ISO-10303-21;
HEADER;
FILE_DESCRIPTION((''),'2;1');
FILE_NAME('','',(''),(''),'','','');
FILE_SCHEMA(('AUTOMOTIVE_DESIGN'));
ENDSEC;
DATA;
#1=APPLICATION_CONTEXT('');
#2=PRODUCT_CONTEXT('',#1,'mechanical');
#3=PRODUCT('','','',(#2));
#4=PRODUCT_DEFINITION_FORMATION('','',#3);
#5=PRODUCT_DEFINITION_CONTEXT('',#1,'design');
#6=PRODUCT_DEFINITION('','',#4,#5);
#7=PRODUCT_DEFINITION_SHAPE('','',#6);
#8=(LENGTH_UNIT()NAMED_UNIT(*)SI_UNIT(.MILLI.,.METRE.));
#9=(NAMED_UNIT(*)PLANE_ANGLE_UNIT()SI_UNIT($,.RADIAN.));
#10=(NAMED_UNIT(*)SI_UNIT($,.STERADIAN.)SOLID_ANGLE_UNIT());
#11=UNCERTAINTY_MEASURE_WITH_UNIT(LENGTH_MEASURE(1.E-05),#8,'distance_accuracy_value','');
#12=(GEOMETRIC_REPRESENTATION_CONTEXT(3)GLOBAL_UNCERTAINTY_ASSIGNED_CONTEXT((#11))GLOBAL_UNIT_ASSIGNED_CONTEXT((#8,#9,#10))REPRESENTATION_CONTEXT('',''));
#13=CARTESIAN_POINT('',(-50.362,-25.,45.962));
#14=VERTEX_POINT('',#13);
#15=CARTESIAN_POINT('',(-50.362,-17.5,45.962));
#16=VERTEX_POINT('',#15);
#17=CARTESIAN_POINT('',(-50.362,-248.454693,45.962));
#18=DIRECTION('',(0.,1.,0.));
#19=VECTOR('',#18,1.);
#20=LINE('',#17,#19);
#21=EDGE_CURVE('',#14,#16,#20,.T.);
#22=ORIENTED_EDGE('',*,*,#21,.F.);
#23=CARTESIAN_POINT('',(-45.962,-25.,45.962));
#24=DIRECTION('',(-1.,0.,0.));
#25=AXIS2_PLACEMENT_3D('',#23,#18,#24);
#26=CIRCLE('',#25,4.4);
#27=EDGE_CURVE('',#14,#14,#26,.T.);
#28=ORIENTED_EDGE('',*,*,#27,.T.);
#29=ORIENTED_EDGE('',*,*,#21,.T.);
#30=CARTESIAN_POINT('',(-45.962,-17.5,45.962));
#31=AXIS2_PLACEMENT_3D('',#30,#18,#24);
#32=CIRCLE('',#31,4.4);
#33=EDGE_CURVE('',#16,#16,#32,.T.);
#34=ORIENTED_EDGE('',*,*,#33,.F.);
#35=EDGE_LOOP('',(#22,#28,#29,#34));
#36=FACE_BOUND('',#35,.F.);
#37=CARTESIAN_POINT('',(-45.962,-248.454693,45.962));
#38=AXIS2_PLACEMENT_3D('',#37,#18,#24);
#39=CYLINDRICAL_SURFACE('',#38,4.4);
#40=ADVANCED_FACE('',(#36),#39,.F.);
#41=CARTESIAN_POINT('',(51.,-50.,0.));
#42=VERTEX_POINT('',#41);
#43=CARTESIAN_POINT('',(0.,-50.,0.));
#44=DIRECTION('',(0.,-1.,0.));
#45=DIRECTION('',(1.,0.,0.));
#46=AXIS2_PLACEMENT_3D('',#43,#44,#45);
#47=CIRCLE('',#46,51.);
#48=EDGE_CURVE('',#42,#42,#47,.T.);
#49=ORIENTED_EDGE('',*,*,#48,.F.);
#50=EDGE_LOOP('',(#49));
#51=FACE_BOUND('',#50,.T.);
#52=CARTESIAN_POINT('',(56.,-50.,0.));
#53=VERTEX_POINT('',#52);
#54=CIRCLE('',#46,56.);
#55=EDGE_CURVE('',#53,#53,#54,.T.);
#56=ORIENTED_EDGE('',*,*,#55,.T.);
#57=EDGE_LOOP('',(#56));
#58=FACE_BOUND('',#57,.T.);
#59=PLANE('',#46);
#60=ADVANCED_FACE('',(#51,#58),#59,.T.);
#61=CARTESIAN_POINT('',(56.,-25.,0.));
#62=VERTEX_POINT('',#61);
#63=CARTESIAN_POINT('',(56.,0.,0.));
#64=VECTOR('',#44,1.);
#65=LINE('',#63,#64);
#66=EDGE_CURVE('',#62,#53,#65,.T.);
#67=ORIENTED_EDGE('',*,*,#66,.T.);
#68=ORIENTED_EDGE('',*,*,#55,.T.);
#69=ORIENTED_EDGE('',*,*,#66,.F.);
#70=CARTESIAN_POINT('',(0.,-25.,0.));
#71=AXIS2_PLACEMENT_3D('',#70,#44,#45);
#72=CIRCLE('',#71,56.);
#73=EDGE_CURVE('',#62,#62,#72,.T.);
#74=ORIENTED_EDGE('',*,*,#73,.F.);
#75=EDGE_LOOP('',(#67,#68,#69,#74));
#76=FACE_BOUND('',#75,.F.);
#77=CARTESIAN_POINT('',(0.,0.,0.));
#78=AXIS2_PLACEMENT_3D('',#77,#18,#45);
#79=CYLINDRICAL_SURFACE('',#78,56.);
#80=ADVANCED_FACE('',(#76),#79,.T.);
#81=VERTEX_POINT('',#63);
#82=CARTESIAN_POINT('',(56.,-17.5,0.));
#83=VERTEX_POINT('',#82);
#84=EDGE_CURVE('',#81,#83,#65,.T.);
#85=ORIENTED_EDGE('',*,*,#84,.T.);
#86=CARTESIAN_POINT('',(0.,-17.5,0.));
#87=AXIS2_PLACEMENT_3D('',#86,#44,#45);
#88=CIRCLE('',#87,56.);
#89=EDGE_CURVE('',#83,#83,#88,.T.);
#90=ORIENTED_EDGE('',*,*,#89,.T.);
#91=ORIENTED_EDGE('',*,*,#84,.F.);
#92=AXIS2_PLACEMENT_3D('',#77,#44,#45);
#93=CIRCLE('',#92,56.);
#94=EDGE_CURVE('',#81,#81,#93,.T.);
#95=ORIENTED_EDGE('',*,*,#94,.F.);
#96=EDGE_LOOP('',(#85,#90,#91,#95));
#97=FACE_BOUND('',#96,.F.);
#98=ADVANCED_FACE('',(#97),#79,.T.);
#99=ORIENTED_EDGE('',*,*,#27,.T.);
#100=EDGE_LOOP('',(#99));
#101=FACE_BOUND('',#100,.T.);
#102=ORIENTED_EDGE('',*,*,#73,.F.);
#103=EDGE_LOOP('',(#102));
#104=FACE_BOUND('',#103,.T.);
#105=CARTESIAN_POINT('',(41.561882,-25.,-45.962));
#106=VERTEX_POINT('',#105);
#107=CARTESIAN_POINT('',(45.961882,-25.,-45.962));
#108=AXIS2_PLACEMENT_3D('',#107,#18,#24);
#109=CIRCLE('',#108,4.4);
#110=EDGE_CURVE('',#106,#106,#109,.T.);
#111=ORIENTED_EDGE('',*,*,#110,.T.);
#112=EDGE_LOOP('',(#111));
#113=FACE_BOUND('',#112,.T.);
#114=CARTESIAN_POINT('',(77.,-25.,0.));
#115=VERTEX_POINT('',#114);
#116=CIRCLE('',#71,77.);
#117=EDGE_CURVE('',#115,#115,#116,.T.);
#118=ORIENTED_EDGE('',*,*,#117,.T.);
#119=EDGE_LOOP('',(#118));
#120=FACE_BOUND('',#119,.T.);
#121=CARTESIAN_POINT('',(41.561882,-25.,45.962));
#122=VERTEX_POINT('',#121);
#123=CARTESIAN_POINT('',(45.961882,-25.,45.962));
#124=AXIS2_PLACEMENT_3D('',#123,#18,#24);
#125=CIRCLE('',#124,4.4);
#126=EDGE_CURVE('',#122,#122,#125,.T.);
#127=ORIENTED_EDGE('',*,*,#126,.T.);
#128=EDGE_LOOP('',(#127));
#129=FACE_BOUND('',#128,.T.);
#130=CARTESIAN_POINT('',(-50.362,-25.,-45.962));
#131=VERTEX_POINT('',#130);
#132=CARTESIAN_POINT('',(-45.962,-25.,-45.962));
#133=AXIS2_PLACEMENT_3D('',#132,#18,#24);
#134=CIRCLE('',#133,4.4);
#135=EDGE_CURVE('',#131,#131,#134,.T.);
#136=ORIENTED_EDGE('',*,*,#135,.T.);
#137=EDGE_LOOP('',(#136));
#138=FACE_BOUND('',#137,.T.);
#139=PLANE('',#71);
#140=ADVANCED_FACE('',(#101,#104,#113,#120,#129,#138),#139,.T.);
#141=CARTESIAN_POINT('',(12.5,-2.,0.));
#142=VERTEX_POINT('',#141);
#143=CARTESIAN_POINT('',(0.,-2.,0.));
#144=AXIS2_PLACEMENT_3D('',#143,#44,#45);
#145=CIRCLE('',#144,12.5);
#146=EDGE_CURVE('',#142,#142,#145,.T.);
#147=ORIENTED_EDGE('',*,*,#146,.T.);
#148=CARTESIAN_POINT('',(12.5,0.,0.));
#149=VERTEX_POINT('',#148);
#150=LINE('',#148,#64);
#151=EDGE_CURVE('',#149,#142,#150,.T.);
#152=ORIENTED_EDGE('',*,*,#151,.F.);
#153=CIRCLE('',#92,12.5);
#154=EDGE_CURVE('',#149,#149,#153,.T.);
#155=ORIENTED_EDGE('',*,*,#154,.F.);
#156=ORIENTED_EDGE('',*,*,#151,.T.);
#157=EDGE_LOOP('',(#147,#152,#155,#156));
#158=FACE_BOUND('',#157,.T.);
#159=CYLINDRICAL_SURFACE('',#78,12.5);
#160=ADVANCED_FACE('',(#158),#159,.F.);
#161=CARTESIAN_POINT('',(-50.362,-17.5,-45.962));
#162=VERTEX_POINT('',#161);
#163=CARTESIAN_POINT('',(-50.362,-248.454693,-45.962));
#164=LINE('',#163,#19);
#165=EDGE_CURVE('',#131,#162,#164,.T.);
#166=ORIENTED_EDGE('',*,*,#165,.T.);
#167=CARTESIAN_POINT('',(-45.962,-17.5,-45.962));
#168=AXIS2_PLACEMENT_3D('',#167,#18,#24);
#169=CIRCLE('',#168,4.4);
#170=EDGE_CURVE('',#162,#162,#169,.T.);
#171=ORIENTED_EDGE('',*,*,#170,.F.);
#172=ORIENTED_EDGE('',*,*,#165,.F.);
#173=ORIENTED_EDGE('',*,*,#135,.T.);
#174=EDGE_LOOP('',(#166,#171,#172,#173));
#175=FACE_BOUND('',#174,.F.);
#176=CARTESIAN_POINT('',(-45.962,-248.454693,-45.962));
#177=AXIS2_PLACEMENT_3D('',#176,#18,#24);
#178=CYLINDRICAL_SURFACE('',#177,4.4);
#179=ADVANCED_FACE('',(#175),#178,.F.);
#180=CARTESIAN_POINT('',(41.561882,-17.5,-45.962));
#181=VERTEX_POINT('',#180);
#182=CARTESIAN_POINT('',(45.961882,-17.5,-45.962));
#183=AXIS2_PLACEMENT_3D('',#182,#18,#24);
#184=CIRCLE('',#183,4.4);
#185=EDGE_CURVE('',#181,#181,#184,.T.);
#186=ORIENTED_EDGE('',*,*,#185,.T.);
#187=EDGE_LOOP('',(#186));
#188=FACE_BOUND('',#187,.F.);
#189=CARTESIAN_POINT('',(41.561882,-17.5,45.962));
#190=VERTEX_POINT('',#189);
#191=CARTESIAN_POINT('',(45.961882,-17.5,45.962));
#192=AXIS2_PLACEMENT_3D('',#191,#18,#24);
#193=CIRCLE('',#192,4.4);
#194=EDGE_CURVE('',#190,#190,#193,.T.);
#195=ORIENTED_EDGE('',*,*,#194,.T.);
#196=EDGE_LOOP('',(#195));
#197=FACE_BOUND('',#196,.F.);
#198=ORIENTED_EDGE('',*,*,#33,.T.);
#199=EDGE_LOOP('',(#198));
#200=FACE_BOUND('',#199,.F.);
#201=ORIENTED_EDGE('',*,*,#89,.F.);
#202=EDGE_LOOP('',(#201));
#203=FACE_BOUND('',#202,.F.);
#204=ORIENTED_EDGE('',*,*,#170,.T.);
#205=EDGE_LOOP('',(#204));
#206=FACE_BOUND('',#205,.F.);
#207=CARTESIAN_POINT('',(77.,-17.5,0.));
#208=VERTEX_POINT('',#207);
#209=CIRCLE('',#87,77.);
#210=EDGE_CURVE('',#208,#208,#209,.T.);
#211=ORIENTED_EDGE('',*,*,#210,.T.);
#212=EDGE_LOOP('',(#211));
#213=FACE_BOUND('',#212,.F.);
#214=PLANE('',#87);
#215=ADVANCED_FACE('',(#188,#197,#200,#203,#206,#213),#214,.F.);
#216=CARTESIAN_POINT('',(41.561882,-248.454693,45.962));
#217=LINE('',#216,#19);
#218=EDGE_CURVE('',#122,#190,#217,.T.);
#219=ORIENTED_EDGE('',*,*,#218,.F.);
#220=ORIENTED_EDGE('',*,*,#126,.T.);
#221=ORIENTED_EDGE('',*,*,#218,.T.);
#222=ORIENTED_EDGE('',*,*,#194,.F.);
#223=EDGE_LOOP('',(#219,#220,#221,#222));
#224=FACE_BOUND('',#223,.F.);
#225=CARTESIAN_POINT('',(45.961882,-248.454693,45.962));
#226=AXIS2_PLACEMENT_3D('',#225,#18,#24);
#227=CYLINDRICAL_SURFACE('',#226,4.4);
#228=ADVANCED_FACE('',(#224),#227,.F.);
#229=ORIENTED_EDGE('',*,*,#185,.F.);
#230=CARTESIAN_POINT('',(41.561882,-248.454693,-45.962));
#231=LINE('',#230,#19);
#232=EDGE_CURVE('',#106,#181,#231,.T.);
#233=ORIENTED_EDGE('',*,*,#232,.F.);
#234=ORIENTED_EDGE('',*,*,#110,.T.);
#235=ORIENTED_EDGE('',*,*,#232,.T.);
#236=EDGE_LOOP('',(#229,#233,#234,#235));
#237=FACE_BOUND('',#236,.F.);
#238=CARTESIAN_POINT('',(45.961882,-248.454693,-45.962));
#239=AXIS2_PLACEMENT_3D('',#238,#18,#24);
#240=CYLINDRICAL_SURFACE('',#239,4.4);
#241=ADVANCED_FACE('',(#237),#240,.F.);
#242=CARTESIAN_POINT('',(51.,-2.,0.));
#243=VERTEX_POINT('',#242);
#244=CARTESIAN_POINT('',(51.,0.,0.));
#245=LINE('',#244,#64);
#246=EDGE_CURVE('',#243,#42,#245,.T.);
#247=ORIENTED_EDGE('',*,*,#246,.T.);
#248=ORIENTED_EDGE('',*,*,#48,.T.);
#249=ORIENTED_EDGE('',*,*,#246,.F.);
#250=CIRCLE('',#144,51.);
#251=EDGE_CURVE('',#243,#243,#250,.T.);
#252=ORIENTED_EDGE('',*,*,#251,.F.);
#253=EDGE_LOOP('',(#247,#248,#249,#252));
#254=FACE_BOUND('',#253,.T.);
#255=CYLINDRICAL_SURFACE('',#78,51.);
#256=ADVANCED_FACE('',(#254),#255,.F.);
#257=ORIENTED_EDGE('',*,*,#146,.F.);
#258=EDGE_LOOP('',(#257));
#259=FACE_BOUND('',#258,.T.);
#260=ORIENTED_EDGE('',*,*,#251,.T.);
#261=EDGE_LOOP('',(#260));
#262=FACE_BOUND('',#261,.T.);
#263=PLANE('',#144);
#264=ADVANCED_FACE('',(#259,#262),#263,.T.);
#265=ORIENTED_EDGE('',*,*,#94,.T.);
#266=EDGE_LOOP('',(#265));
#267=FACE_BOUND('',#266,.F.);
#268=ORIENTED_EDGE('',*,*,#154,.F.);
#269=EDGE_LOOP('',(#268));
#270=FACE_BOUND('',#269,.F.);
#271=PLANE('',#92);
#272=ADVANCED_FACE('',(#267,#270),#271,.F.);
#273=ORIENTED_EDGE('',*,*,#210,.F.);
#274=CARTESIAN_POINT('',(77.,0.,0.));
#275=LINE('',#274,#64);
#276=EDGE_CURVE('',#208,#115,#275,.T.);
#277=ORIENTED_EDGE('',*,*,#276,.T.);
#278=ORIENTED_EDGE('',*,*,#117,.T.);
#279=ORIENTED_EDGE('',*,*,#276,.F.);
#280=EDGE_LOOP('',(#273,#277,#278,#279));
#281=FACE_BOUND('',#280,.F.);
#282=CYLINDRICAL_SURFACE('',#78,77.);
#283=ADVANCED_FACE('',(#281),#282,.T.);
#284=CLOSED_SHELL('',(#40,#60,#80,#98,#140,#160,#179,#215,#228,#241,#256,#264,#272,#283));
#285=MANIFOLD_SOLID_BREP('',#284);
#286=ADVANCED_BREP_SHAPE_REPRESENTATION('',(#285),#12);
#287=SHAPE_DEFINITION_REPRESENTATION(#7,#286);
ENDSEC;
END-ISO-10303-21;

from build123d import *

# Parameters (mm, degrees)
F0_R     = 56
F0_R_2   = 51
F1_DEPTH = 50
F0_R_3   = 77
F2_DEPTH = 25
F3_DEPTH = 17.5
F5_D     = 8.8
F6_R     = 51
F6_R_2   = 12.5
F7_DEPTH = 2


with BuildPart() as f1:
    # F0 (on Front) → F1 (new body)
    with BuildSketch(Plane.XZ):
        Circle(F0_R)
        Circle(F0_R_2, mode=Mode.SUBTRACT)
    extrude(amount=F1_DEPTH)

    # F0 (on Front) → F2 (join)
    with BuildSketch(Plane.XZ):
        Circle(F0_R_3)
        Circle(F0_R, mode=Mode.SUBTRACT)
    extrude(amount=F2_DEPTH)

    # F0 (on Front) → F3 (cut)
    with BuildSketch(Plane.XZ):
        Circle(F0_R_3)
        Circle(F0_R, mode=Mode.SUBTRACT)
    extrude(amount=F3_DEPTH, mode=Mode.SUBTRACT)

    # F5 (through all)
    with Locations(Plane.XZ.offset(25)):
        with Locations((-45.962, 45.962), (45.9618815542, 45.962), (45.9618815542, -45.962), (-45.962, -45.962)):
            Hole(F5_D / 2)

    # F6 (on Front) → F7 (join)
    with BuildSketch(Plane.XZ):
        Circle(F6_R)
        Circle(F6_R_2, mode=Mode.SUBTRACT)
    extrude(amount=F7_DEPTH)


solid = f1.part
